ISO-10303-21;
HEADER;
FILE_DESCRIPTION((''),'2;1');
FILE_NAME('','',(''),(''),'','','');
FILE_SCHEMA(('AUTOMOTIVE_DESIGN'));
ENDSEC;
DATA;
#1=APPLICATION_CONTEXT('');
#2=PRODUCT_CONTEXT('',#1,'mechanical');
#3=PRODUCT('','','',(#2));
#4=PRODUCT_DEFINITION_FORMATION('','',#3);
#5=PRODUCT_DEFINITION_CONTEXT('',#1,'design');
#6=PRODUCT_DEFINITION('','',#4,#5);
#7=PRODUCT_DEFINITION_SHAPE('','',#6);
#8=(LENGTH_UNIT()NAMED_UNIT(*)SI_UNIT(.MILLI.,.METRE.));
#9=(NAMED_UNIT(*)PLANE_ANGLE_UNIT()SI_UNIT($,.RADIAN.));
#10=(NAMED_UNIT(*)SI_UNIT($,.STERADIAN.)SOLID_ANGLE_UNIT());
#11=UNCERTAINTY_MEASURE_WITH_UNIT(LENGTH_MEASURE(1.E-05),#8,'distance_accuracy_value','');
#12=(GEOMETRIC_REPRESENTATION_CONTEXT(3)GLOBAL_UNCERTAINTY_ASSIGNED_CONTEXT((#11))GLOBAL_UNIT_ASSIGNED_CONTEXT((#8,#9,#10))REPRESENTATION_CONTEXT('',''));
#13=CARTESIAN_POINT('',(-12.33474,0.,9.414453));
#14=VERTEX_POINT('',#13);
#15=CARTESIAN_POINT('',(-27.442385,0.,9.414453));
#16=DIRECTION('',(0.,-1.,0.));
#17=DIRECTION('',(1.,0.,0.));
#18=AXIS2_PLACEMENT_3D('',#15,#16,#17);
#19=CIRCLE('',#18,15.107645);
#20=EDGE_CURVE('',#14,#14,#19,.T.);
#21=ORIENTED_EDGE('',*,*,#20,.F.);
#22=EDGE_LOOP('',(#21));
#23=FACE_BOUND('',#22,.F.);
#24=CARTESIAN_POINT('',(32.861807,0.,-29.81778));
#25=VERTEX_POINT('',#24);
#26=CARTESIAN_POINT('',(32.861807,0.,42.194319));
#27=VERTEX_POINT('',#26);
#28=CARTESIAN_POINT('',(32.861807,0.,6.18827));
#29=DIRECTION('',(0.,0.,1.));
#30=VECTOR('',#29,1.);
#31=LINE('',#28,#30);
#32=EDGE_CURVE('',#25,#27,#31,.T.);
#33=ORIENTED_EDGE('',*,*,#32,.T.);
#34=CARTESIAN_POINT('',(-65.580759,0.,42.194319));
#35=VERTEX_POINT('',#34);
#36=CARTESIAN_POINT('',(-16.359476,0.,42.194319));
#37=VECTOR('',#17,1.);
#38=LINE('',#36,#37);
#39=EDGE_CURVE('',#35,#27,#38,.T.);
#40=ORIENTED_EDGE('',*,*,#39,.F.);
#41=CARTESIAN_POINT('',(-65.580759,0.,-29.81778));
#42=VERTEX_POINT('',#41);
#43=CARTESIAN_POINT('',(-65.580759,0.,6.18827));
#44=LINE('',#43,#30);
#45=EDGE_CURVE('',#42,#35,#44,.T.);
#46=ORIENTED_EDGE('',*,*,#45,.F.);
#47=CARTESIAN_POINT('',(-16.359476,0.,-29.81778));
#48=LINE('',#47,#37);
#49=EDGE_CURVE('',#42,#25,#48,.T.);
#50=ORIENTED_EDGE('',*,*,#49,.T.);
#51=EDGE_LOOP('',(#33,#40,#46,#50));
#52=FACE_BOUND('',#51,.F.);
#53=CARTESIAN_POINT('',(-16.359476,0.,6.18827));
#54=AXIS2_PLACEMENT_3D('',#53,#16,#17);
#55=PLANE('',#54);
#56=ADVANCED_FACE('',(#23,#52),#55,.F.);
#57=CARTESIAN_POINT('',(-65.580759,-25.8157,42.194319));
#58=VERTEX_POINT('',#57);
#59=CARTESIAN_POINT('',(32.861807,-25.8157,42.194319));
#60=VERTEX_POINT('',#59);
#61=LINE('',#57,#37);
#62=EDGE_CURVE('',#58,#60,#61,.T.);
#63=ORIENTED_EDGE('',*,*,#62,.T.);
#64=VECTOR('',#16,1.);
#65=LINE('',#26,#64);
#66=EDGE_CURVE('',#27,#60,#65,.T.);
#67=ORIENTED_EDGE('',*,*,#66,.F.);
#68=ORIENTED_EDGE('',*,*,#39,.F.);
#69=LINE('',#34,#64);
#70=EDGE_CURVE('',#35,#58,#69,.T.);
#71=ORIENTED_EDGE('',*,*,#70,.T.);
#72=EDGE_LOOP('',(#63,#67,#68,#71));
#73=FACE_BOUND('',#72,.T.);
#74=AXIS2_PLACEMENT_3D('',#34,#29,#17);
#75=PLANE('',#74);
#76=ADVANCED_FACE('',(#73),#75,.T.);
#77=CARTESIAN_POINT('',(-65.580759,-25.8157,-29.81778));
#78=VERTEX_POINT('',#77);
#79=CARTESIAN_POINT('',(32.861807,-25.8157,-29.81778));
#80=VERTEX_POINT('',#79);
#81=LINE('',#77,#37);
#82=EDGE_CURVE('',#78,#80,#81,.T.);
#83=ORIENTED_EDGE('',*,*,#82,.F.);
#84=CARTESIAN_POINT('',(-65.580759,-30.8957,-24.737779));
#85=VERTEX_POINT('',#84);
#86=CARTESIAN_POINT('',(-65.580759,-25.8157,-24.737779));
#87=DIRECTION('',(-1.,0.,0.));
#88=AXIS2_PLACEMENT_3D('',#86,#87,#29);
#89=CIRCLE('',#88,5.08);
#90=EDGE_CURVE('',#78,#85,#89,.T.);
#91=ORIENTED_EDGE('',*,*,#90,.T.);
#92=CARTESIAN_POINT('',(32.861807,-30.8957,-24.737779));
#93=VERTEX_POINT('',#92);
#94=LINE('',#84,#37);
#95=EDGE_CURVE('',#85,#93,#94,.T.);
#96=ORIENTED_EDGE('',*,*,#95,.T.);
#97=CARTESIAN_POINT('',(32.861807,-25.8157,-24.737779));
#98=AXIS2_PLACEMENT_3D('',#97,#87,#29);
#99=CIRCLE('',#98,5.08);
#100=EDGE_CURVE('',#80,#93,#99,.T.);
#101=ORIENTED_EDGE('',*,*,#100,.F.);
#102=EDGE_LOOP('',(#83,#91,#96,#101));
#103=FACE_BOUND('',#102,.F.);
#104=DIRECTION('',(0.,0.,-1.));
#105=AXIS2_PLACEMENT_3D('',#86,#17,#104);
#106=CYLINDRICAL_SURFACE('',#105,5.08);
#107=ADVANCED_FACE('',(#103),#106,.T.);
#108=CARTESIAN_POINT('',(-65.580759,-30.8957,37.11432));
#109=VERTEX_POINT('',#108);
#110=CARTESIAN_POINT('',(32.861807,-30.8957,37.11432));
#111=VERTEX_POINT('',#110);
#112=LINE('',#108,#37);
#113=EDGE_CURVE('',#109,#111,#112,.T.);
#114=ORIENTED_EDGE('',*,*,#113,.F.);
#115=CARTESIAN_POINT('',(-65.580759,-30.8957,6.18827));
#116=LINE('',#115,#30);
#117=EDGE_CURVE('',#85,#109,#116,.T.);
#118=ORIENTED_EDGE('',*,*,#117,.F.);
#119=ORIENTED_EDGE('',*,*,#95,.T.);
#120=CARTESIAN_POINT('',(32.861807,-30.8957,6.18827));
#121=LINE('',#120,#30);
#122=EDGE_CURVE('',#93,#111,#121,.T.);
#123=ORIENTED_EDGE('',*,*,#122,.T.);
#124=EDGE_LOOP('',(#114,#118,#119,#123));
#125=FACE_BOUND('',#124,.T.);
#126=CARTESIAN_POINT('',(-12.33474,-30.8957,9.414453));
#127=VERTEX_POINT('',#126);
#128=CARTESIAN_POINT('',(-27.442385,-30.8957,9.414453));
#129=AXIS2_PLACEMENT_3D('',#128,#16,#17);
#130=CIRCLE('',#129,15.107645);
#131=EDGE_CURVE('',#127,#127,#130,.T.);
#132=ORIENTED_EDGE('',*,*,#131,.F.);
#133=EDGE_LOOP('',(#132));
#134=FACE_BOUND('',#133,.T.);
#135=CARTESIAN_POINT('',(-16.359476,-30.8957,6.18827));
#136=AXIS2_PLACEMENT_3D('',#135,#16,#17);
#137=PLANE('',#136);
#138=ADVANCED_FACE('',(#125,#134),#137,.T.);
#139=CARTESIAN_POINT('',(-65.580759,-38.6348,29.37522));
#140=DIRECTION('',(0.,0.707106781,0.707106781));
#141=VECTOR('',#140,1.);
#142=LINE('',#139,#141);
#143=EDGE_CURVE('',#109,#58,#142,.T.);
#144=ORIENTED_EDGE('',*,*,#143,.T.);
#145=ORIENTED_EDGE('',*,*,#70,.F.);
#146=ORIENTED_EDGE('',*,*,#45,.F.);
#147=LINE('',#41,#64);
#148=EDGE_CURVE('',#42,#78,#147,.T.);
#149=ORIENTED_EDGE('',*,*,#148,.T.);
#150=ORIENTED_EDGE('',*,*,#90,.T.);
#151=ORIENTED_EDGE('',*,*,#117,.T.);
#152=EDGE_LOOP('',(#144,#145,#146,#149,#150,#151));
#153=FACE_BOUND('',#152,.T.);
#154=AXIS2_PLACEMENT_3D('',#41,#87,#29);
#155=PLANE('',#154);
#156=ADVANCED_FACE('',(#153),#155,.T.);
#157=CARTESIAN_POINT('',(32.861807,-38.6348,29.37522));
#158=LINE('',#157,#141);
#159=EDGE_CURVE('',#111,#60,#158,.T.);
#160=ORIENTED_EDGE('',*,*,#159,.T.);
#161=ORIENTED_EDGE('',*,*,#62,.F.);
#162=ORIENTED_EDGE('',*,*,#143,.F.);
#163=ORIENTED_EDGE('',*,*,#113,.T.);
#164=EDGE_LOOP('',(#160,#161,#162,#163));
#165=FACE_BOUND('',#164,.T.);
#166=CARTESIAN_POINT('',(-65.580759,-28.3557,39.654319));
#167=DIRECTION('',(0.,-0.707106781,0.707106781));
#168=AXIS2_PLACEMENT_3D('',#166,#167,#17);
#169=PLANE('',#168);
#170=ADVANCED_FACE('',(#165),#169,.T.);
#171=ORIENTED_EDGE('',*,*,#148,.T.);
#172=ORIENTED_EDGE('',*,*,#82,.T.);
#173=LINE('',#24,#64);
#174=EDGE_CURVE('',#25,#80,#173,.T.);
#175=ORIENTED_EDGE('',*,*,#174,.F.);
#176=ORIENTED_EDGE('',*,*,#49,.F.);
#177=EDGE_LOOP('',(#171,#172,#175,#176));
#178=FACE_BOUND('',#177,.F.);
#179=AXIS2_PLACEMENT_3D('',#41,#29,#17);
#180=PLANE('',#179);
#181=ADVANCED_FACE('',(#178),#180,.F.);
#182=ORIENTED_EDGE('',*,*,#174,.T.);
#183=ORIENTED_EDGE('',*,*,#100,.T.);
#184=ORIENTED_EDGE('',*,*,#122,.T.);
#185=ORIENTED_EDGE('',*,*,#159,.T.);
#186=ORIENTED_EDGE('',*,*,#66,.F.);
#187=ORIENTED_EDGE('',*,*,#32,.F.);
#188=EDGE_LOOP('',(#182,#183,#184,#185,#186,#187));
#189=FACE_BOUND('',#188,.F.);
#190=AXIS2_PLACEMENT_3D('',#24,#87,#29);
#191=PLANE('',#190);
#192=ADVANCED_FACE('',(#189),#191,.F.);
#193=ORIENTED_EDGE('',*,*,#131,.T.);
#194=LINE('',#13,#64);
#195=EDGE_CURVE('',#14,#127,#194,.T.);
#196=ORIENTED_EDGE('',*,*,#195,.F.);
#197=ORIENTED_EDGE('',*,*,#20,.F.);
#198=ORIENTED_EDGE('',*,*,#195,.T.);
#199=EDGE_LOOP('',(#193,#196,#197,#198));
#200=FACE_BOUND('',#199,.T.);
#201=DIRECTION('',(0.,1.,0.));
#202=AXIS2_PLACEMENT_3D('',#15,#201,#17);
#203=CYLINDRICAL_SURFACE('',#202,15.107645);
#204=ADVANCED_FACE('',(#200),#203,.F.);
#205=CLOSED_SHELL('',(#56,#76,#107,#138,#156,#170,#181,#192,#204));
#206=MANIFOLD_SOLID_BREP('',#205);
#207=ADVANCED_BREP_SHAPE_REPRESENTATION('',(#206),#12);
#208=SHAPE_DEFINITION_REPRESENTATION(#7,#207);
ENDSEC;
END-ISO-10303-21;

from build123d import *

# Parameters (mm, degrees)
F0_W     = 98.442565
F0_H     = 72.012099
F0_R     = 15.107645
F1_DEPTH = 30.8957
F2_R     = 5.08
F3_SIZE  = 5.08


with BuildPart() as f1:
    # F0 (on Front) → F1 (new body)
    with BuildSketch(Plane.XZ):
        with Locations((-16.359476, 6.18827)):
            Rectangle(F0_W, F0_H)
        with Locations((-27.442385, 9.414453)):
            Circle(F0_R, mode=Mode.SUBTRACT)
    extrude(amount=F1_DEPTH)

    # F2
    f2_edges = [f1.edges().sort_by_distance(p)[0] for p in [
        (-16.359476, -30.8957, -29.817779),
    ]]
    fillet(f2_edges, radius=F2_R)

    # F3
    f3_edges = [f1.edges().sort_by_distance(p)[0] for p in [
        (-16.359476, -30.8957, 42.19432),
    ]]
    chamfer(f3_edges, length=F3_SIZE)


solid = f1.part
